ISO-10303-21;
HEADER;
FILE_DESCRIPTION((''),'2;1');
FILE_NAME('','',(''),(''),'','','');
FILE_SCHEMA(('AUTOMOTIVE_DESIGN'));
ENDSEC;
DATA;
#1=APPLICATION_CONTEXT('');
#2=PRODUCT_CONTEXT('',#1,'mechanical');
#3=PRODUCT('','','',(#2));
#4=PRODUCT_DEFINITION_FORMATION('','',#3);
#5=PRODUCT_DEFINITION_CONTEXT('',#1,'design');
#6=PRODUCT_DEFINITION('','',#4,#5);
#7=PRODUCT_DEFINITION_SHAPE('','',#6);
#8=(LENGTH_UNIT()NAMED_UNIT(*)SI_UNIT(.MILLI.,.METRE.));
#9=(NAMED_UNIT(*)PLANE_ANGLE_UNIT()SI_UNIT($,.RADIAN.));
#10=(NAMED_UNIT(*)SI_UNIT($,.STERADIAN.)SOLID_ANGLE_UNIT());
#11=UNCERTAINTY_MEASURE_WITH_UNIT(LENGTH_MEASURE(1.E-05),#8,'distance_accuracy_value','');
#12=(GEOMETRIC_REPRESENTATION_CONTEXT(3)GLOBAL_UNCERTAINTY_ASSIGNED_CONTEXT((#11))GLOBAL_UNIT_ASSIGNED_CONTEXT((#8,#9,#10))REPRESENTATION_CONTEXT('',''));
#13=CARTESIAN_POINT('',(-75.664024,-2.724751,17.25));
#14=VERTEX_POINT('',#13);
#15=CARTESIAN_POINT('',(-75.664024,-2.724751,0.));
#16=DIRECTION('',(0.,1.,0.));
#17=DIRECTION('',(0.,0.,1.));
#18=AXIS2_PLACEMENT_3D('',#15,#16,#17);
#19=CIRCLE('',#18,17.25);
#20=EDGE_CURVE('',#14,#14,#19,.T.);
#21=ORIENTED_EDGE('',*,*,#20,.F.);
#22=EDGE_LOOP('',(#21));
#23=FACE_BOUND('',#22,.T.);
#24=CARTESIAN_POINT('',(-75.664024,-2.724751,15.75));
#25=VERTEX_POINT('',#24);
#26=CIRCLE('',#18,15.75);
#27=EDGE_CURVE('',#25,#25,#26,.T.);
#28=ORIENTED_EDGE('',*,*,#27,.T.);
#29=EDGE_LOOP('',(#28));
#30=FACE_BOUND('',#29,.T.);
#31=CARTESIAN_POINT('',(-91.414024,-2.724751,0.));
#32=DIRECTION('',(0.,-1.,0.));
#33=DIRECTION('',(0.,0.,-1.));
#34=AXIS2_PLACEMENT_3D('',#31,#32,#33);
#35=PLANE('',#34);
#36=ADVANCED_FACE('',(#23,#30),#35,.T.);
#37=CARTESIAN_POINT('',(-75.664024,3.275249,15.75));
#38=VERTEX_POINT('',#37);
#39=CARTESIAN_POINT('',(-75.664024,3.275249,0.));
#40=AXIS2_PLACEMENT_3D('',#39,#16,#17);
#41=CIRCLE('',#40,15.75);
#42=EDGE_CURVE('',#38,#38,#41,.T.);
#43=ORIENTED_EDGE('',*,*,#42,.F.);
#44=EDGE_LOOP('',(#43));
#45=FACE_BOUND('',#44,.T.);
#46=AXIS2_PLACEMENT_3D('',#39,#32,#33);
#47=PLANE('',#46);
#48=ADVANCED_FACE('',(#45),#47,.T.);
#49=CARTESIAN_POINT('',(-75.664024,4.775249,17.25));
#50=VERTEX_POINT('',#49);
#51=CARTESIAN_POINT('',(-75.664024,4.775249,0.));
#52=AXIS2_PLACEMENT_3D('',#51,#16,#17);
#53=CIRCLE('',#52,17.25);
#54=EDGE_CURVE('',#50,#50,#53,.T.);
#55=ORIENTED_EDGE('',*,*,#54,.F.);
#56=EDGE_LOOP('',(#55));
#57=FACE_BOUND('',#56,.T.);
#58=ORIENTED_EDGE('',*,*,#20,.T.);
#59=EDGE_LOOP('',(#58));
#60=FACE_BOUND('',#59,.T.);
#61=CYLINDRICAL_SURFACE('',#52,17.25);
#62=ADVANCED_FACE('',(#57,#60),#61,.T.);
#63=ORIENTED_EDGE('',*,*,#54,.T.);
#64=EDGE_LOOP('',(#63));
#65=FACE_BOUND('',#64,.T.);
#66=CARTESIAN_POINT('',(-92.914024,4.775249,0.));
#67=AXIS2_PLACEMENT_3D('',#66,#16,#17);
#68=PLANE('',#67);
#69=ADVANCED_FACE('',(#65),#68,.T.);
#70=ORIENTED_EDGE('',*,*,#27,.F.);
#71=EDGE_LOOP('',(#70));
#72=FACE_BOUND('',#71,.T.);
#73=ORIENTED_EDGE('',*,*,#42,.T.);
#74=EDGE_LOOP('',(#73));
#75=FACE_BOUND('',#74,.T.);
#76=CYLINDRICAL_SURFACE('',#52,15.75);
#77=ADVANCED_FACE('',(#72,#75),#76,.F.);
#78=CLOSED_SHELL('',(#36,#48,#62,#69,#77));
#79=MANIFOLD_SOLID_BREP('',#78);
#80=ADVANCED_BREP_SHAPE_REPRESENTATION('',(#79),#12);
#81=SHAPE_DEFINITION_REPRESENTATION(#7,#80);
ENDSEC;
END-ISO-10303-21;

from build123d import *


with BuildPart() as part:
    # Croquis2 → Revolución1 (revolve)
    with BuildSketch(Plane.XY, mode=Mode.PRIVATE) as revoluci_n1_sk:
        Polygon((-91.414024071, -2.724751439), (-92.914024071, -2.724751439), (-92.914024071, 4.775248561), (-75.664024071, 4.775248561), (-75.664024071, 3.275248561), (-91.414024071, 3.275248561), align=None)
    revolve(revoluci_n1_sk.sketch.rotate(Axis((-75.664024071, 4.775248561, 0), (0, -1, 0)), 270), axis=Axis((-75.664024071, 4.775248561, 0), (0, -1, 0)))


solid = part.part
